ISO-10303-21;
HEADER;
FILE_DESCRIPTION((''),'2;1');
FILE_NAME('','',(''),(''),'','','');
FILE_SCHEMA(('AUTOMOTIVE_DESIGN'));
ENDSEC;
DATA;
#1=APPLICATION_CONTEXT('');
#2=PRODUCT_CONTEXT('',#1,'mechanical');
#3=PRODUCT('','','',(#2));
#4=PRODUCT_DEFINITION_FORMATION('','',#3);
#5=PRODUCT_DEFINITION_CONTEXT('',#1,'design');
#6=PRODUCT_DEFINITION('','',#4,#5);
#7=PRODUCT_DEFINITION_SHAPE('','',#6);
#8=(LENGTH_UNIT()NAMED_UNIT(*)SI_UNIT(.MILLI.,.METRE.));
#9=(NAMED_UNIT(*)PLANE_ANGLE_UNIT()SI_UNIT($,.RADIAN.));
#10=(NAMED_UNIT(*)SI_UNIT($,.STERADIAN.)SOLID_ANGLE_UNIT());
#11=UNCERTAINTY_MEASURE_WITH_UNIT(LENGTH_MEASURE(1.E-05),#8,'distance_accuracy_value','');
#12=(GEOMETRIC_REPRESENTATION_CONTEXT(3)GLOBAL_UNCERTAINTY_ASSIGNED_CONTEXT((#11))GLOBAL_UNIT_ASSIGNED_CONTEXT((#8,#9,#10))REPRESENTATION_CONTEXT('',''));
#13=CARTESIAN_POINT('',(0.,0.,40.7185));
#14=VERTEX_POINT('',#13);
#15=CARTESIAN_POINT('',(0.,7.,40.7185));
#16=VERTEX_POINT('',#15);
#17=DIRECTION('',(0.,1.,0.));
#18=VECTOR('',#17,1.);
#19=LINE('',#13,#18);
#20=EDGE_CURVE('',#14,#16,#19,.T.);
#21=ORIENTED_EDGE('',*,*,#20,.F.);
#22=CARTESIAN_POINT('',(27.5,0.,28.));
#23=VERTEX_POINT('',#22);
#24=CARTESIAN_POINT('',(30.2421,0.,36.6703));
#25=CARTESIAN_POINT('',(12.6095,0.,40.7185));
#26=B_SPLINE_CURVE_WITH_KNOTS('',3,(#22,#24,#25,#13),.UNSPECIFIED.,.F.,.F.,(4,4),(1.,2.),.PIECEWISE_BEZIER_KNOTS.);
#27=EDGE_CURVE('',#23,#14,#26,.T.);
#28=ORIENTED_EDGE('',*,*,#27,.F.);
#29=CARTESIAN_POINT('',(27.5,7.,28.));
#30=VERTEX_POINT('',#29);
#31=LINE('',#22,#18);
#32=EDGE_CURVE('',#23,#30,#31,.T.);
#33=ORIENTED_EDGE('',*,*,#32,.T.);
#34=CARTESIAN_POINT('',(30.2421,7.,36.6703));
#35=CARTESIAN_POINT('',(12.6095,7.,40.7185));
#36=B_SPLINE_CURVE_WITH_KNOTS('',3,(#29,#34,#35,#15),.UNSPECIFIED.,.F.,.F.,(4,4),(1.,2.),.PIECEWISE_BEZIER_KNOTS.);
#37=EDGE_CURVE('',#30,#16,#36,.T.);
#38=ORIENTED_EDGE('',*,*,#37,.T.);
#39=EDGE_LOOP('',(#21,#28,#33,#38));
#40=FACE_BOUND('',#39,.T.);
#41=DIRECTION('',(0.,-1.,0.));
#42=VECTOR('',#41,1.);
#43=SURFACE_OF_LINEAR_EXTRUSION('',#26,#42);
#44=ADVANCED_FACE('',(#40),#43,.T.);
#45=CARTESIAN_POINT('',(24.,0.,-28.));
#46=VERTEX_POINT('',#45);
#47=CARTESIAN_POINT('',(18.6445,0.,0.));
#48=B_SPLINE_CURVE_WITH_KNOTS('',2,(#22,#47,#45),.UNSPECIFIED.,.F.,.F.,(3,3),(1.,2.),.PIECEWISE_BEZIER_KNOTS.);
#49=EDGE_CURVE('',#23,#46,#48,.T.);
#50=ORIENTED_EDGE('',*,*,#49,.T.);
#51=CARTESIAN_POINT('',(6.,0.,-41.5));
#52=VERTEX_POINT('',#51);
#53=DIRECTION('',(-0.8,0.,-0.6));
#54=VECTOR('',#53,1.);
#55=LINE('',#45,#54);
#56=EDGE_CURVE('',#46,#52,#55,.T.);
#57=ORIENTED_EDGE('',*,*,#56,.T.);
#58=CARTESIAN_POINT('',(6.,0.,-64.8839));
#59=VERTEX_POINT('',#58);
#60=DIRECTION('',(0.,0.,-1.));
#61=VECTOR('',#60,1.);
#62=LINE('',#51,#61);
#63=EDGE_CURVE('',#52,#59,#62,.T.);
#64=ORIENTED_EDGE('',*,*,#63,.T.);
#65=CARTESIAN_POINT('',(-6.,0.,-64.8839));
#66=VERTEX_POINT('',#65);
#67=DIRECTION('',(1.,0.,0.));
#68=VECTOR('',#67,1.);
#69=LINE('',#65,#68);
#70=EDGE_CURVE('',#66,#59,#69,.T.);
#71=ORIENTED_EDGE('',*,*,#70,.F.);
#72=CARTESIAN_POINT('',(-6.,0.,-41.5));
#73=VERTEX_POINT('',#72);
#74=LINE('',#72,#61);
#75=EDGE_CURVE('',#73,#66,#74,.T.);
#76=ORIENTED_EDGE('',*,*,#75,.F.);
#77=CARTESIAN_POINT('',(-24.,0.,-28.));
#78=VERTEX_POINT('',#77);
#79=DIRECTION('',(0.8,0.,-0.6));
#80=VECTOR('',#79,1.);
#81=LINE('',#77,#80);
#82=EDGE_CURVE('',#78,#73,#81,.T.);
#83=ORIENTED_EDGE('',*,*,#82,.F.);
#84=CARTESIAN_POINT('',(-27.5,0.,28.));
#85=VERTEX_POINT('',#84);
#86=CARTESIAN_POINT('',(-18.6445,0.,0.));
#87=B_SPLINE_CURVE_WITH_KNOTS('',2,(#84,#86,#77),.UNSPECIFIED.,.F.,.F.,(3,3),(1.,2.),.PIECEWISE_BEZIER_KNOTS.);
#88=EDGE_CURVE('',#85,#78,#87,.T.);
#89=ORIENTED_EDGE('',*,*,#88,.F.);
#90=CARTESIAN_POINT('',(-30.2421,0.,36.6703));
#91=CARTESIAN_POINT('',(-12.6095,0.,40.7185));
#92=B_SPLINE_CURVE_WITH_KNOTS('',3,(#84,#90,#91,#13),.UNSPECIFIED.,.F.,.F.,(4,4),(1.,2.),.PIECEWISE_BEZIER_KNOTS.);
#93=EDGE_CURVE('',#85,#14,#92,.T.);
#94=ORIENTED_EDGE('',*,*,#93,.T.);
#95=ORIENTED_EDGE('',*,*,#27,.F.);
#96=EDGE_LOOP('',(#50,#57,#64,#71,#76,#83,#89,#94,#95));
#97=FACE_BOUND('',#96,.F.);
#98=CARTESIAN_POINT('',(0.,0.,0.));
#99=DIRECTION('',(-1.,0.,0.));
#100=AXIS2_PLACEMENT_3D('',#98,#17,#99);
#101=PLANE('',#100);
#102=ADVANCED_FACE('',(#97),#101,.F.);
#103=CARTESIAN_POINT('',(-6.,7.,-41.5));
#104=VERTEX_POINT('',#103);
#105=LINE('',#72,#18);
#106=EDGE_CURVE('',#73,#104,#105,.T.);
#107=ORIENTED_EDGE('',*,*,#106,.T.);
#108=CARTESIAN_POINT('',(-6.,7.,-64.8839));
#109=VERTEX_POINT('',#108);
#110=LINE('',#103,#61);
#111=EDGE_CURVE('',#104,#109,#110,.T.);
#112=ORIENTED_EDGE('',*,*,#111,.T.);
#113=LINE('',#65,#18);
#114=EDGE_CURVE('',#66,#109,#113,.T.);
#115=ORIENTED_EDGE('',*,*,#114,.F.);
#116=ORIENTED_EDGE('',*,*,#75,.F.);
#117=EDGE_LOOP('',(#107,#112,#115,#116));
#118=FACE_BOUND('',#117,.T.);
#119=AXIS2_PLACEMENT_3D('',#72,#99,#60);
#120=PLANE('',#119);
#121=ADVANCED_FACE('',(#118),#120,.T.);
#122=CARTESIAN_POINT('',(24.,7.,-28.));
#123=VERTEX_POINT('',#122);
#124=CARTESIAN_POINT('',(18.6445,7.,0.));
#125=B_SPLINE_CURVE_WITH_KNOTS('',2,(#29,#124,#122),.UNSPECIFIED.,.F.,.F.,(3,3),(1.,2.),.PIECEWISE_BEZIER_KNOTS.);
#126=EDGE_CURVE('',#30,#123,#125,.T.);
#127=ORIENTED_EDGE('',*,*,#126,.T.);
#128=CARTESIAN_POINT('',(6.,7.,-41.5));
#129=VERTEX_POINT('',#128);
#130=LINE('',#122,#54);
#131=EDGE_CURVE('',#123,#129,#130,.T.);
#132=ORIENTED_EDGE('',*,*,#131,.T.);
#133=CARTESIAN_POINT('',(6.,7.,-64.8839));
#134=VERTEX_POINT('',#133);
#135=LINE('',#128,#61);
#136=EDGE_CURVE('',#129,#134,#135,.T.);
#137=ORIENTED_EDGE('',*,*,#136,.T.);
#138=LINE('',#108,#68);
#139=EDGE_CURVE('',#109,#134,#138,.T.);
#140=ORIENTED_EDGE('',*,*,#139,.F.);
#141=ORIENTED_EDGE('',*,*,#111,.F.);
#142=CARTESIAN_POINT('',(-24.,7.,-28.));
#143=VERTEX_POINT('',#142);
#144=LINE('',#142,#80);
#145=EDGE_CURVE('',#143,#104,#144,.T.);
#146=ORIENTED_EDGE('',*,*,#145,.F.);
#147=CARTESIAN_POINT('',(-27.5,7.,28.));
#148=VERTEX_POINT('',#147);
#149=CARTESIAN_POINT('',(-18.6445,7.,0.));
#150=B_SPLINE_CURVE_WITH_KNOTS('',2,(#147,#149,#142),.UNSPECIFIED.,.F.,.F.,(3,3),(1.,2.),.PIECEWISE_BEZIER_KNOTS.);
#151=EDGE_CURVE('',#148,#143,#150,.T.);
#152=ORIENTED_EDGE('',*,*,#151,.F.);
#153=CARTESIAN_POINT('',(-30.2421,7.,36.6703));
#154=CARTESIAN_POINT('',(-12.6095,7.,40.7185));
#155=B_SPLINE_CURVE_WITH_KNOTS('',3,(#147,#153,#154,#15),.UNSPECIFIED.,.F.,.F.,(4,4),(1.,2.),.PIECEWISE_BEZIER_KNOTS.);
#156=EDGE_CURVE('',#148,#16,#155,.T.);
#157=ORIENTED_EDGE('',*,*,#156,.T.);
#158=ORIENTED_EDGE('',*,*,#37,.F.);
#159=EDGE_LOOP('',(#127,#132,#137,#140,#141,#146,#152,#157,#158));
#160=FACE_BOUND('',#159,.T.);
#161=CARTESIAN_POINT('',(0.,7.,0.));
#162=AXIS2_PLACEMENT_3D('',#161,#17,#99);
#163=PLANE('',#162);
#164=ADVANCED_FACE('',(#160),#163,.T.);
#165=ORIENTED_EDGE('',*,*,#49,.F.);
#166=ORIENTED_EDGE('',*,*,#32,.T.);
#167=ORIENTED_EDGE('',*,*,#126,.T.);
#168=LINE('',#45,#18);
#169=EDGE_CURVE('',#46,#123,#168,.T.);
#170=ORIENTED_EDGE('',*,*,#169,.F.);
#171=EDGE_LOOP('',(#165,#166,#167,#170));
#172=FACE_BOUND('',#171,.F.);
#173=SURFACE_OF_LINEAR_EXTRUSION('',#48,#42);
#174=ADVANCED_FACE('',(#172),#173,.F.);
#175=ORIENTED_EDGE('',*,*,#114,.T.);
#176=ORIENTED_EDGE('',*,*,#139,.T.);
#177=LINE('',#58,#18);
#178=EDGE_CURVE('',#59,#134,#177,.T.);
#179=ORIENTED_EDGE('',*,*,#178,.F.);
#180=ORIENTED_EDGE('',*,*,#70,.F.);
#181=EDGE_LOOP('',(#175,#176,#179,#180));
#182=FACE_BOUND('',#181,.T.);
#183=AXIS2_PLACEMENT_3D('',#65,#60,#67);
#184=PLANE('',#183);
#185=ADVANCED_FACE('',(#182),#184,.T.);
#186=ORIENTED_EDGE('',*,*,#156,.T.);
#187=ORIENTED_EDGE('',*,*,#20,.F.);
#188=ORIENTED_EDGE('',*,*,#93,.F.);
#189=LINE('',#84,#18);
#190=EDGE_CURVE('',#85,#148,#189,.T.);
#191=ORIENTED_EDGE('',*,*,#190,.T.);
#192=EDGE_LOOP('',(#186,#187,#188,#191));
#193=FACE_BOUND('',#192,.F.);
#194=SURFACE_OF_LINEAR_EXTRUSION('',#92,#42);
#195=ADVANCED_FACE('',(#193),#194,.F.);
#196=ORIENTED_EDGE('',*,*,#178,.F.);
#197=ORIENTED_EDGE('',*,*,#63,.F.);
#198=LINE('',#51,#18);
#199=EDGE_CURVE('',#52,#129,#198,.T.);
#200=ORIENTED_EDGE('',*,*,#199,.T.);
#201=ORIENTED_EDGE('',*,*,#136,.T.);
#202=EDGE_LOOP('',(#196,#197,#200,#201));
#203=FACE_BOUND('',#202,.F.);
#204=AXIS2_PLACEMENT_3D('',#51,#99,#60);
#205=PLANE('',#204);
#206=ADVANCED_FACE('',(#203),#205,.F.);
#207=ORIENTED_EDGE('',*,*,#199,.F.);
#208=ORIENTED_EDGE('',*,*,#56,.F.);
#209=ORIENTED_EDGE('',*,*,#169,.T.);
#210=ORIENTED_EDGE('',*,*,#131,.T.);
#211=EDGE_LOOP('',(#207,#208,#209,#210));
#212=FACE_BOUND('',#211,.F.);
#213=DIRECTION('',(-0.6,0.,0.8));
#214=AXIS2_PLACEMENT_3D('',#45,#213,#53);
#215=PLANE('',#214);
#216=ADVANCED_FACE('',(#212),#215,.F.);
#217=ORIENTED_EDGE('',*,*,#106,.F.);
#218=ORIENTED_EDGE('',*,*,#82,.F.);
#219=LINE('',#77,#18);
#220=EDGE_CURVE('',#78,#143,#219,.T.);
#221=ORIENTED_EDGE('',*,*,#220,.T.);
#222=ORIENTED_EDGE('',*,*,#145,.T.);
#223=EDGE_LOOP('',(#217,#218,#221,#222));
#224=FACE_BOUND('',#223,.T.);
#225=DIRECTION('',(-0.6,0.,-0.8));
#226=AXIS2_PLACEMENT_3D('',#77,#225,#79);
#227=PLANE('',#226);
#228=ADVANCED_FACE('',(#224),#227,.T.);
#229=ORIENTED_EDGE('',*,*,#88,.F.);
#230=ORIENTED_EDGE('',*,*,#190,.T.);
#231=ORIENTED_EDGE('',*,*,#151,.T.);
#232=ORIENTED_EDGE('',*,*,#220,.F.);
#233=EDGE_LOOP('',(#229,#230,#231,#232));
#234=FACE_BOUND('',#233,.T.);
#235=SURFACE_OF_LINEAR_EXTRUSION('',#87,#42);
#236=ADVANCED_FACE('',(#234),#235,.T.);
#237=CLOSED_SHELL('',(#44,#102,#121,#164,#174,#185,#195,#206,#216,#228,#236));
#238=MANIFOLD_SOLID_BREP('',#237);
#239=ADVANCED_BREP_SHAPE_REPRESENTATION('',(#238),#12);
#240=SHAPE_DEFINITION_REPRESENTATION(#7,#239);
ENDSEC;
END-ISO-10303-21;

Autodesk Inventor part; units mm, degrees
ref_plane "YZ Plane" through (0, 0, 0) normal (1, 0, 0) x (0, 1, 0)
ref_plane "XZ Plane" through (0, 0, 0) normal (0, 1, 0) x (-1, 0, 0)
ref_plane "XY Plane" through (0, 0, 0) normal (0, 0, 1) x (1, 0, 0)
sketch "Sketch1" plane through (0, 0, 0) normal (0, 1, 0) x (-1, 0, 0)
  line L0 (-24, 28) -> (24, 28) construction
  line L1 (24, 28) -> (24, -28) construction
  line L2 (24, -28) -> (-24, -28) construction
  line L3 (-24, -28) -> (-24, 28) construction
  line L4 (-24, 28) -> (24, -28) construction
  line L5 (24, 28) -> (-24, -28) construction
  line L6 (-27.5, -28) -> (27.5, -28) construction
  line L7 (27.5, -28) -> (27.5, 28) construction
  line L8 (27.5, 28) -> (-27.5, 28) construction
  line L9 (-27.5, 28) -> (-27.5, -28) construction
  line L10 (-27.5, -28) -> (27.5, 28) construction
  line L11 (27.5, -28) -> (-27.5, 28) construction
  line L12 (0, 28) -> (0, -28)
  line L13 (27.5, 28) -> (18.6445, 0) construction
  line L14 (18.6445, 0) -> (24, -28) construction
  spline S0 degree 2 poles (27.5, 28) (18.6445, 0) (24, -28) knots 1 1 1 2 2 2
  line L15 (27.5, 28) -> (30.2421, 36.6703) construction
  line L16 (30.2421, 36.6703) -> (12.6095, 40.7185) construction
  line L17 (12.6095, 40.7185) -> (0, 40.7185) construction
  spline S1 degree 3 poles (27.5, 28) (30.2421, 36.6703) (12.6095, 40.7185) (0, 40.7185) knots 1 1 1 1 2 2 2 2
  line L18 (24, -28) -> (6, -41.5)
  line L19 (6, -41.5) -> (6, -64.8839)
  line L20 (-27.5, 28) -> (-18.6445, 0) construction
  line L21 (-18.6445, 0) -> (-24, -28) construction
  spline S2 degree 2 poles (-27.5, 28) (-18.6445, 0) (-24, -28) knots 1 1 1 2 2 2
  line L22 (-27.5, 28) -> (-30.2421, 36.6703) construction
  line L23 (-30.2421, 36.6703) -> (-12.6095, 40.7185) construction
  line L24 (-12.6095, 40.7185) -> (0, 40.7185) construction
  spline S3 degree 3 poles (-27.5, 28) (-30.2421, 36.6703) (-12.6095, 40.7185) (0, 40.7185) knots 1 1 1 1 2 2 2 2
  line L25 (-24, -28) -> (-6, -41.5)
  line L26 (-6, -41.5) -> (-6, -64.8839)
  line L27 (6, -64.8839) -> (-6, -64.8839)
  point P0 (0, 0)
  dimension "d0" = 48
  dimension "d1" = 56
  dimension "d2" = 55
  dimension "d3" = 56
  dimension "d6" = 6
  dimension "d7" = 13.5
extrude "Extrusion1" add sketch "Sketch1" along normal blind 7
properties part number "spatula"
